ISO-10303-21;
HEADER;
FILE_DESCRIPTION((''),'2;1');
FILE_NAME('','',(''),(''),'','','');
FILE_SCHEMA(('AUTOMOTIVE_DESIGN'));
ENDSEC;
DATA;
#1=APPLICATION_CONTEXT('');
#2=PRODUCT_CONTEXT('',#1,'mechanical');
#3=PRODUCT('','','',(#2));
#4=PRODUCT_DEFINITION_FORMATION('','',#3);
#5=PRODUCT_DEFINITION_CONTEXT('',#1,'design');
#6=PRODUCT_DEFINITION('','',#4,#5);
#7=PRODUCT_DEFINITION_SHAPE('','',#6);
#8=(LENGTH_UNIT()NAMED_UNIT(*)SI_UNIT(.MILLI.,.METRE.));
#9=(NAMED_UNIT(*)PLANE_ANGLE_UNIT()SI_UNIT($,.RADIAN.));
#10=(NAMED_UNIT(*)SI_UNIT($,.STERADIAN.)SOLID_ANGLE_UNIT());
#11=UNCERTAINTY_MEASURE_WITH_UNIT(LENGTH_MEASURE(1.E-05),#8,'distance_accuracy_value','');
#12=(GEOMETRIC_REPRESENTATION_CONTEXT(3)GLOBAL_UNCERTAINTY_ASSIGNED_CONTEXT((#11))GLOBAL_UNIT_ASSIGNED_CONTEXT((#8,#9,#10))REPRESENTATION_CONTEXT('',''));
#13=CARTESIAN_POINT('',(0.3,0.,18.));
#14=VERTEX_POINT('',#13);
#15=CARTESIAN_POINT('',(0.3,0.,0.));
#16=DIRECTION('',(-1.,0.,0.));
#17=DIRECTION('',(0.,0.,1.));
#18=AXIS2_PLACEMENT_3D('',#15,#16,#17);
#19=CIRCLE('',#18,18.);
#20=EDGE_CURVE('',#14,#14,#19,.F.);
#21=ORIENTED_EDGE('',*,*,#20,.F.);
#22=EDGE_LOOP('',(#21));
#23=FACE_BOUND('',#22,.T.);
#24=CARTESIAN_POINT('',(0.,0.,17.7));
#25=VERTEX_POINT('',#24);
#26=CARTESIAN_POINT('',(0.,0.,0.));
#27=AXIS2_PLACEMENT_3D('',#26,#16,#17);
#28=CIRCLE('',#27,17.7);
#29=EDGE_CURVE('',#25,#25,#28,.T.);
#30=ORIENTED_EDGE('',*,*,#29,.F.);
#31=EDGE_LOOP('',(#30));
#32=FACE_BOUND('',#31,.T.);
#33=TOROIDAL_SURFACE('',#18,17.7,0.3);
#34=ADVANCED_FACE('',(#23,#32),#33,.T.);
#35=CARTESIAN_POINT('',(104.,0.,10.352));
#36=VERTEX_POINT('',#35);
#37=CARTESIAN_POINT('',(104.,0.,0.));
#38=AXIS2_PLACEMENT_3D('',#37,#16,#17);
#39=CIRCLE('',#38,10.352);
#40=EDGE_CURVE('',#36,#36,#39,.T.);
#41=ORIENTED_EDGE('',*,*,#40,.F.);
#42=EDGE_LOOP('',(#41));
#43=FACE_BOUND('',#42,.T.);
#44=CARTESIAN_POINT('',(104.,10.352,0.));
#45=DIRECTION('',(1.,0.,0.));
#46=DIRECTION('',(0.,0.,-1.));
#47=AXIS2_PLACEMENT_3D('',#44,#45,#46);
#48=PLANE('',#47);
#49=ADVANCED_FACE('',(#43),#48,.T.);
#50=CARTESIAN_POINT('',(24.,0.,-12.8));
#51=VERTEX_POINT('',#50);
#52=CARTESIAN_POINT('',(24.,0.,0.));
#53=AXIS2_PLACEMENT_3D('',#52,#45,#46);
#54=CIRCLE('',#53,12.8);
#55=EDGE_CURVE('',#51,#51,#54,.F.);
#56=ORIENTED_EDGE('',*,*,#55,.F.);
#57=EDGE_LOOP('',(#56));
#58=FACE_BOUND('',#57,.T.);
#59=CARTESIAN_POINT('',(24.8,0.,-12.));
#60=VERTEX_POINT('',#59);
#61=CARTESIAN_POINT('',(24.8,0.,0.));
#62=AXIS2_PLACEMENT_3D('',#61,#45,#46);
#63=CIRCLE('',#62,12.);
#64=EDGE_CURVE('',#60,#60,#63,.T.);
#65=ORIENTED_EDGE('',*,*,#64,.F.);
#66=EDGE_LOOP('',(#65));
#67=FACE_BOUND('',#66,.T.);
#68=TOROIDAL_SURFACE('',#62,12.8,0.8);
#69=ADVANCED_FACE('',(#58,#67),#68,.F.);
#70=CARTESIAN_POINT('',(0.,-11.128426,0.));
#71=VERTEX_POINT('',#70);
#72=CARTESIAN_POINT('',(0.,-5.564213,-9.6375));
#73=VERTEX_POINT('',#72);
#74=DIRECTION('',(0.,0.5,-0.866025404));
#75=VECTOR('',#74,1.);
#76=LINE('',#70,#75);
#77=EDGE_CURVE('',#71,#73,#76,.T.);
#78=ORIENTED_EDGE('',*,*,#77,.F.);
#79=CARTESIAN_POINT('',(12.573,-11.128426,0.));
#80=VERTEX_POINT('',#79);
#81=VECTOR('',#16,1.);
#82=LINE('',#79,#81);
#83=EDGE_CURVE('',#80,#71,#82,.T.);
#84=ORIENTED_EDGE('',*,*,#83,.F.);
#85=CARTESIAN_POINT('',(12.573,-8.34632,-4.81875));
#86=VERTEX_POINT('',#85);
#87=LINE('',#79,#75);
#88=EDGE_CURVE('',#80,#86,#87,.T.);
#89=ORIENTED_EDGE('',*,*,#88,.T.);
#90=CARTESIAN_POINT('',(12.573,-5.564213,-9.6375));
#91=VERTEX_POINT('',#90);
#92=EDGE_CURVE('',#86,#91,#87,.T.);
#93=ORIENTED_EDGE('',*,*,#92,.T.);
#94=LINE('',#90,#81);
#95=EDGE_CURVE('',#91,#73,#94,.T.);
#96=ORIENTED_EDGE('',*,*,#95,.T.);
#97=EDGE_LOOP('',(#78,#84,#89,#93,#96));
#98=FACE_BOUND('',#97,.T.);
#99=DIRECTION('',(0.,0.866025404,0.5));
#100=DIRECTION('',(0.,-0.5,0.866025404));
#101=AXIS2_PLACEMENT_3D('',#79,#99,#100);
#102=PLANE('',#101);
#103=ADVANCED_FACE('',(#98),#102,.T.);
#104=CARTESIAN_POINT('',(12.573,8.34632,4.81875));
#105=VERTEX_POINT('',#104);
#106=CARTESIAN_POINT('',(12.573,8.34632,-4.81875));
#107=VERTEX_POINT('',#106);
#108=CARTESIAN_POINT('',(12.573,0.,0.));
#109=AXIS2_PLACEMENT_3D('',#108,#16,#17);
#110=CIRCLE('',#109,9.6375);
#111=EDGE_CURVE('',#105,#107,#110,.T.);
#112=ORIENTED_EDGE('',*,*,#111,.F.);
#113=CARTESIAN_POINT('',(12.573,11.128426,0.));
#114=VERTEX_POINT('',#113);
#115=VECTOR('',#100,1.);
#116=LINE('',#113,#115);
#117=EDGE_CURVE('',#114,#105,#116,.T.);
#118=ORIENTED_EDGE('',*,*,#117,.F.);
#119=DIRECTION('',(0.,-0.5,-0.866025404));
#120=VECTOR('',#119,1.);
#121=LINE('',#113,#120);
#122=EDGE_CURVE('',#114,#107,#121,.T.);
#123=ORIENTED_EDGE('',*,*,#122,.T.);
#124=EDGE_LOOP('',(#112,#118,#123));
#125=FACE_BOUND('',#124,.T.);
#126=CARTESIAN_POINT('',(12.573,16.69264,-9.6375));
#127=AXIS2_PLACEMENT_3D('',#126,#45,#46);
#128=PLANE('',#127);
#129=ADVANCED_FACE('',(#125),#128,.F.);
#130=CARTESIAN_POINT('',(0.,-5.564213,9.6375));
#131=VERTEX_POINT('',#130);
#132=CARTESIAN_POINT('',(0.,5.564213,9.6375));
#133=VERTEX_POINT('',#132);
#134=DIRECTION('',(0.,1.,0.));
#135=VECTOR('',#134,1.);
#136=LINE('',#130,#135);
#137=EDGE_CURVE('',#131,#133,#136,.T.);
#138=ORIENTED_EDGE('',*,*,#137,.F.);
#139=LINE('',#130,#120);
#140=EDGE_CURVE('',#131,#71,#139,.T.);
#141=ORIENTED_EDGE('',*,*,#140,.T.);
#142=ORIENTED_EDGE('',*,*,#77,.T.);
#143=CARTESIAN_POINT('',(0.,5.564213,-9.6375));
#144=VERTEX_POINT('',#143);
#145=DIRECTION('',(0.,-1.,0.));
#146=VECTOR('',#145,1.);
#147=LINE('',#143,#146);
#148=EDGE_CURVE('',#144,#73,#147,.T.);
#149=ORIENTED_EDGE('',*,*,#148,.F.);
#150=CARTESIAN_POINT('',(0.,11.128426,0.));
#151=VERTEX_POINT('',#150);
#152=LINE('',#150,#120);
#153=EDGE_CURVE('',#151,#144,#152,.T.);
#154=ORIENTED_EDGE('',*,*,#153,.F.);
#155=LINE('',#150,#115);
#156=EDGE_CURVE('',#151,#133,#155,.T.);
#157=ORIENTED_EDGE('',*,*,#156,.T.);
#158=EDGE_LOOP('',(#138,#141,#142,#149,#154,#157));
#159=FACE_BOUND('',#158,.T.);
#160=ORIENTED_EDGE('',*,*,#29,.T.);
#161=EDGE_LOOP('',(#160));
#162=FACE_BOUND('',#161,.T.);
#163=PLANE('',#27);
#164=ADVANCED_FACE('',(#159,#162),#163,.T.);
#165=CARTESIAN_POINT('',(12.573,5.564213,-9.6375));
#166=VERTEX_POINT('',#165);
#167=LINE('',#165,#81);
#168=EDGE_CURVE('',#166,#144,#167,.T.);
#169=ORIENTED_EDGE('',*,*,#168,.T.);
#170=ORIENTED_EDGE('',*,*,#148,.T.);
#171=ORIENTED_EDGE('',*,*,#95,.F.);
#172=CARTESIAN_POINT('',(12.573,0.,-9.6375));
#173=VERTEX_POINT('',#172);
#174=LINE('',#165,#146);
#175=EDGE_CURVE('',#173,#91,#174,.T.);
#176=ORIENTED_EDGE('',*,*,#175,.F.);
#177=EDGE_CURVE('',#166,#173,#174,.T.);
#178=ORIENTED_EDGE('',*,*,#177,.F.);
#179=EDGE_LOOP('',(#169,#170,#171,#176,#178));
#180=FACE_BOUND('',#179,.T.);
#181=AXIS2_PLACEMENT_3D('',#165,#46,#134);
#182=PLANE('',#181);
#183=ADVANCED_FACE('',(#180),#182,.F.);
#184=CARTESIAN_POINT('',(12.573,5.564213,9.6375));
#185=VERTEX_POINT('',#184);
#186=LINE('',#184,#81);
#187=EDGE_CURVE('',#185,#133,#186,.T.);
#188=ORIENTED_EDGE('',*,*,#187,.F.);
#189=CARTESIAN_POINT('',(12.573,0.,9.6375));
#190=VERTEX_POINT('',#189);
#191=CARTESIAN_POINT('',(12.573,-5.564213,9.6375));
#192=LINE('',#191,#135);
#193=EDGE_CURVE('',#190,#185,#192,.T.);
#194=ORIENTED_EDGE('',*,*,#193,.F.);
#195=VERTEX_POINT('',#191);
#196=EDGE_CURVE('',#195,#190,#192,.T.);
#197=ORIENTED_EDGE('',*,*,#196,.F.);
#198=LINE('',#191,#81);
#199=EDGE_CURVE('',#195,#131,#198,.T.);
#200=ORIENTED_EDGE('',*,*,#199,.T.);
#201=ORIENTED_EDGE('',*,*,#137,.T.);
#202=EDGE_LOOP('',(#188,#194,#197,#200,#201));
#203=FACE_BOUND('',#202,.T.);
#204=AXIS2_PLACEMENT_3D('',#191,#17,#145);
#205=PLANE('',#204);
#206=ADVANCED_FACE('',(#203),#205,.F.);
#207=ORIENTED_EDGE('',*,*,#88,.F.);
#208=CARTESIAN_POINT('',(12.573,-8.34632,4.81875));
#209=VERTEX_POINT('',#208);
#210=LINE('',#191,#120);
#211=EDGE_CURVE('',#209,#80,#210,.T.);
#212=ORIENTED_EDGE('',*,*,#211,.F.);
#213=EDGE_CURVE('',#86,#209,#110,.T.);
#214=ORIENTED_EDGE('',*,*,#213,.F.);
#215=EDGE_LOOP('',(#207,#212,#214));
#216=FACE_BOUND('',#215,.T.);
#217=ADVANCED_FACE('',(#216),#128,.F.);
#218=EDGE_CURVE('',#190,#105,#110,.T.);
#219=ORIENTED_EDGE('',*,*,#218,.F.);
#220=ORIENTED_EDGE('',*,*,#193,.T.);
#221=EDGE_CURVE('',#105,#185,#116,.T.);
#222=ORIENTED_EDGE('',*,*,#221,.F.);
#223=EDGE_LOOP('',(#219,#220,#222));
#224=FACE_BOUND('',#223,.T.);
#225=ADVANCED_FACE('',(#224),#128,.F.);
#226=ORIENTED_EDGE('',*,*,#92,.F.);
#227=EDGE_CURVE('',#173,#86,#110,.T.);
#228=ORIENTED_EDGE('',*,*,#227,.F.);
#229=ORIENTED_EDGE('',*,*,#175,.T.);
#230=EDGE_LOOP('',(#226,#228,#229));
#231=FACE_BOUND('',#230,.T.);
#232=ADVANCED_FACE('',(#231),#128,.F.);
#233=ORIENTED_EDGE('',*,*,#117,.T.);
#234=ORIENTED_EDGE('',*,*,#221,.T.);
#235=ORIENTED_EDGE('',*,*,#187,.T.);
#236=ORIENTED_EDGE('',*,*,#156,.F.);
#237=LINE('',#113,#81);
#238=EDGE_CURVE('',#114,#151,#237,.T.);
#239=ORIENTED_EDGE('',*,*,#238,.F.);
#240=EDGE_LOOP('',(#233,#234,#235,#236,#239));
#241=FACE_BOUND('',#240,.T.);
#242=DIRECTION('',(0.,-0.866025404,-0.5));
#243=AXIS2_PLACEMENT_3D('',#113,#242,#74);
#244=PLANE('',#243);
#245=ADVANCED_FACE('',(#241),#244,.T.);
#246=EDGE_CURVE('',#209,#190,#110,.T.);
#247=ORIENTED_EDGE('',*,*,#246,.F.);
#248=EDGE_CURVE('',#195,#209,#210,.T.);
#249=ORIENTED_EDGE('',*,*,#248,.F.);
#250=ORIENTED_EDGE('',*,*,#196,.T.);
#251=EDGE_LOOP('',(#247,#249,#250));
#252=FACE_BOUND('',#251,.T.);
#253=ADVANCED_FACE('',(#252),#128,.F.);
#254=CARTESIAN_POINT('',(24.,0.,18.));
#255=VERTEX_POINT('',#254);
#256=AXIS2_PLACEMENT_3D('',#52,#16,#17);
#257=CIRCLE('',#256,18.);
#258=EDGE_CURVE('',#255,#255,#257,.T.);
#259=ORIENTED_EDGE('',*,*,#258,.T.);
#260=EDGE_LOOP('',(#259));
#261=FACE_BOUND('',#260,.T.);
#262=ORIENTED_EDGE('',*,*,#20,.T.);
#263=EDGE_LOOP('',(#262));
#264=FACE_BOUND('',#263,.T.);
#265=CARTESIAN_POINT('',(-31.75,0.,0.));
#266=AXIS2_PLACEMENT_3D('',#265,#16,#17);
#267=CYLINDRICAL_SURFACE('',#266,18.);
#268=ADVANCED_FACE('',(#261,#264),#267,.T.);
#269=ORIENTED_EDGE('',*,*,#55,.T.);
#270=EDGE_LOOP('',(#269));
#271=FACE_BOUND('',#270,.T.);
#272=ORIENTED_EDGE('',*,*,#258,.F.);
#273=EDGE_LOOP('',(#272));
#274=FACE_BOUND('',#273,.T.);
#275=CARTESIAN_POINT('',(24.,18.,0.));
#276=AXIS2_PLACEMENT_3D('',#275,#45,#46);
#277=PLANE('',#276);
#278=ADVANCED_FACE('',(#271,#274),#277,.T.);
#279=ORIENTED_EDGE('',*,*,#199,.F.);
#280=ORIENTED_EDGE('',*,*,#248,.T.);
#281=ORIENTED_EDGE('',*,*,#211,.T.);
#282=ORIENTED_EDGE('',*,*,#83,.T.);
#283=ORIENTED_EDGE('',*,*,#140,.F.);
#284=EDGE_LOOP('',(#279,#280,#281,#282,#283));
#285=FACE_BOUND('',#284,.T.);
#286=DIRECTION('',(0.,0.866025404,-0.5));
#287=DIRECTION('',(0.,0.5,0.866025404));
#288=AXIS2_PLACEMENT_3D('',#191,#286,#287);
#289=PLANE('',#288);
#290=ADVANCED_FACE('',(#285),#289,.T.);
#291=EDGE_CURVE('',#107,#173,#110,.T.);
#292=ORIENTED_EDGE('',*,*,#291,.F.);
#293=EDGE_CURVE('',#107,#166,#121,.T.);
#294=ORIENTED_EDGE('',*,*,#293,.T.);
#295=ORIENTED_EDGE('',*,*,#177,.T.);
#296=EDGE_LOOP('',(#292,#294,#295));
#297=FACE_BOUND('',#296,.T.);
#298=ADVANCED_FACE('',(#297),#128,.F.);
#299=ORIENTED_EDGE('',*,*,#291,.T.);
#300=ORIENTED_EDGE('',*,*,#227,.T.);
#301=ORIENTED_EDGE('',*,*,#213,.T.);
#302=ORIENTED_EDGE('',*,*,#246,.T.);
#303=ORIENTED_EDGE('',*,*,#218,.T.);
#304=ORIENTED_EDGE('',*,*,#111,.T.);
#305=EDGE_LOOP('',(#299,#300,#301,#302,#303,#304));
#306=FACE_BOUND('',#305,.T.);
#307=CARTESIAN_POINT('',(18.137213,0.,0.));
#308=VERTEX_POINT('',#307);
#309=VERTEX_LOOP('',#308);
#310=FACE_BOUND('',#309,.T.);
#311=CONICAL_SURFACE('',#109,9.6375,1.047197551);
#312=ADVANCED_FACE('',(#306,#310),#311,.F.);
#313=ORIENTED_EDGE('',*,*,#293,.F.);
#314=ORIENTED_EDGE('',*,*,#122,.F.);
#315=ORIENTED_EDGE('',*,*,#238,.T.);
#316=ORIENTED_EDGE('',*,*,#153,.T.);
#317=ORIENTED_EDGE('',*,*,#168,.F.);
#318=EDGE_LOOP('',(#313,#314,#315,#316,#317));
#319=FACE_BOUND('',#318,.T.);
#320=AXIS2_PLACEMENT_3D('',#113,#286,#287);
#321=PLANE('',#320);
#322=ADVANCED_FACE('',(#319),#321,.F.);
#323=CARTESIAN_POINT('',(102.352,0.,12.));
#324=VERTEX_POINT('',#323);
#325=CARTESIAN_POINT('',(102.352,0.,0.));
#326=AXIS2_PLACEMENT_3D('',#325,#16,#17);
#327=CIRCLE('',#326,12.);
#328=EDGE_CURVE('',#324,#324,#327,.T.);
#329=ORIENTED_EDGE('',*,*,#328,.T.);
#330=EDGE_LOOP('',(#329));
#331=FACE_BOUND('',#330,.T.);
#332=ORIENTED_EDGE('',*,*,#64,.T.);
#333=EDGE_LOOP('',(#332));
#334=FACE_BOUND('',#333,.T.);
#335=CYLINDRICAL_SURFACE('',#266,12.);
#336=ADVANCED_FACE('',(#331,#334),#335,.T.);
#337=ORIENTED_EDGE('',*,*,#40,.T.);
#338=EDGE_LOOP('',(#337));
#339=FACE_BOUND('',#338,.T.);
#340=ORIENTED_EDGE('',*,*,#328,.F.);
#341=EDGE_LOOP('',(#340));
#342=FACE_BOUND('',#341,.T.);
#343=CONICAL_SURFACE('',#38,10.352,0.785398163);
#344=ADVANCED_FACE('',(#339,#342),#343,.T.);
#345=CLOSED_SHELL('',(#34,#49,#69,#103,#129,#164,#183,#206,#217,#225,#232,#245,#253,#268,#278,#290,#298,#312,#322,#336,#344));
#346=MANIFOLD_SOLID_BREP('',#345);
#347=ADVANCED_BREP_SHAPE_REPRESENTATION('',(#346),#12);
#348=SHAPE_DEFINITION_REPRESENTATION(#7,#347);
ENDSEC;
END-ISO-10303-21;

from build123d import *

# Parameters (mm, degrees)
FILLET1_R   = 0.8
FILLET2_R   = 0.3
HEX_2_DEPTH = 12.573


with BuildPart() as part:
    # BodySke → Base-Revolve (revolve)
    with BuildSketch(Plane.XY):
        Polygon((0, 0), (0, 18), (24, 18), (24, 12), (102.352, 12), (104, 10.352), (104, 0), align=None)
    revolve(axis=Axis((-31.75, 0, 0), (1, 0, 0)))

    # Fillet1
    fillet1_edges = [part.edges().sort_by_distance(p)[0] for p in [
        (24, -12, 0),
    ]]
    fillet(fillet1_edges, radius=FILLET1_R)

    # Fillet2
    fillet2_edges = [part.edges().sort_by_distance(p)[0] for p in [
        (0, -18, 0),
    ]]
    fillet(fillet2_edges, radius=FILLET2_R)

    # Sketch2 → Hex-PreBroach (revolve, cut)
    with BuildSketch(Plane.XY):
        Polygon((0, 9.6375), (12.573, 9.6375), (18.137213219, 0), (0, 0), align=None)
    revolve(axis=Axis((0, 0, 0), (1, 0, 0)), mode=Mode.SUBTRACT)

    # Sketch3 → Hex 2 (cut)
    with BuildSketch(Plane(origin=(0, 0, 0), x_dir=(0, 0.5, 0.866025404), z_dir=(-1, 0, 0))):
        Polygon((5.564213219, 9.6375), (-5.564213219, 9.6375), (-11.128426439, 0), (-5.564213219, -9.6375), (5.564213219, -9.6375), (11.128426439, 0), align=None)
    extrude(amount=-HEX_2_DEPTH, mode=Mode.SUBTRACT)


solid = part.part
